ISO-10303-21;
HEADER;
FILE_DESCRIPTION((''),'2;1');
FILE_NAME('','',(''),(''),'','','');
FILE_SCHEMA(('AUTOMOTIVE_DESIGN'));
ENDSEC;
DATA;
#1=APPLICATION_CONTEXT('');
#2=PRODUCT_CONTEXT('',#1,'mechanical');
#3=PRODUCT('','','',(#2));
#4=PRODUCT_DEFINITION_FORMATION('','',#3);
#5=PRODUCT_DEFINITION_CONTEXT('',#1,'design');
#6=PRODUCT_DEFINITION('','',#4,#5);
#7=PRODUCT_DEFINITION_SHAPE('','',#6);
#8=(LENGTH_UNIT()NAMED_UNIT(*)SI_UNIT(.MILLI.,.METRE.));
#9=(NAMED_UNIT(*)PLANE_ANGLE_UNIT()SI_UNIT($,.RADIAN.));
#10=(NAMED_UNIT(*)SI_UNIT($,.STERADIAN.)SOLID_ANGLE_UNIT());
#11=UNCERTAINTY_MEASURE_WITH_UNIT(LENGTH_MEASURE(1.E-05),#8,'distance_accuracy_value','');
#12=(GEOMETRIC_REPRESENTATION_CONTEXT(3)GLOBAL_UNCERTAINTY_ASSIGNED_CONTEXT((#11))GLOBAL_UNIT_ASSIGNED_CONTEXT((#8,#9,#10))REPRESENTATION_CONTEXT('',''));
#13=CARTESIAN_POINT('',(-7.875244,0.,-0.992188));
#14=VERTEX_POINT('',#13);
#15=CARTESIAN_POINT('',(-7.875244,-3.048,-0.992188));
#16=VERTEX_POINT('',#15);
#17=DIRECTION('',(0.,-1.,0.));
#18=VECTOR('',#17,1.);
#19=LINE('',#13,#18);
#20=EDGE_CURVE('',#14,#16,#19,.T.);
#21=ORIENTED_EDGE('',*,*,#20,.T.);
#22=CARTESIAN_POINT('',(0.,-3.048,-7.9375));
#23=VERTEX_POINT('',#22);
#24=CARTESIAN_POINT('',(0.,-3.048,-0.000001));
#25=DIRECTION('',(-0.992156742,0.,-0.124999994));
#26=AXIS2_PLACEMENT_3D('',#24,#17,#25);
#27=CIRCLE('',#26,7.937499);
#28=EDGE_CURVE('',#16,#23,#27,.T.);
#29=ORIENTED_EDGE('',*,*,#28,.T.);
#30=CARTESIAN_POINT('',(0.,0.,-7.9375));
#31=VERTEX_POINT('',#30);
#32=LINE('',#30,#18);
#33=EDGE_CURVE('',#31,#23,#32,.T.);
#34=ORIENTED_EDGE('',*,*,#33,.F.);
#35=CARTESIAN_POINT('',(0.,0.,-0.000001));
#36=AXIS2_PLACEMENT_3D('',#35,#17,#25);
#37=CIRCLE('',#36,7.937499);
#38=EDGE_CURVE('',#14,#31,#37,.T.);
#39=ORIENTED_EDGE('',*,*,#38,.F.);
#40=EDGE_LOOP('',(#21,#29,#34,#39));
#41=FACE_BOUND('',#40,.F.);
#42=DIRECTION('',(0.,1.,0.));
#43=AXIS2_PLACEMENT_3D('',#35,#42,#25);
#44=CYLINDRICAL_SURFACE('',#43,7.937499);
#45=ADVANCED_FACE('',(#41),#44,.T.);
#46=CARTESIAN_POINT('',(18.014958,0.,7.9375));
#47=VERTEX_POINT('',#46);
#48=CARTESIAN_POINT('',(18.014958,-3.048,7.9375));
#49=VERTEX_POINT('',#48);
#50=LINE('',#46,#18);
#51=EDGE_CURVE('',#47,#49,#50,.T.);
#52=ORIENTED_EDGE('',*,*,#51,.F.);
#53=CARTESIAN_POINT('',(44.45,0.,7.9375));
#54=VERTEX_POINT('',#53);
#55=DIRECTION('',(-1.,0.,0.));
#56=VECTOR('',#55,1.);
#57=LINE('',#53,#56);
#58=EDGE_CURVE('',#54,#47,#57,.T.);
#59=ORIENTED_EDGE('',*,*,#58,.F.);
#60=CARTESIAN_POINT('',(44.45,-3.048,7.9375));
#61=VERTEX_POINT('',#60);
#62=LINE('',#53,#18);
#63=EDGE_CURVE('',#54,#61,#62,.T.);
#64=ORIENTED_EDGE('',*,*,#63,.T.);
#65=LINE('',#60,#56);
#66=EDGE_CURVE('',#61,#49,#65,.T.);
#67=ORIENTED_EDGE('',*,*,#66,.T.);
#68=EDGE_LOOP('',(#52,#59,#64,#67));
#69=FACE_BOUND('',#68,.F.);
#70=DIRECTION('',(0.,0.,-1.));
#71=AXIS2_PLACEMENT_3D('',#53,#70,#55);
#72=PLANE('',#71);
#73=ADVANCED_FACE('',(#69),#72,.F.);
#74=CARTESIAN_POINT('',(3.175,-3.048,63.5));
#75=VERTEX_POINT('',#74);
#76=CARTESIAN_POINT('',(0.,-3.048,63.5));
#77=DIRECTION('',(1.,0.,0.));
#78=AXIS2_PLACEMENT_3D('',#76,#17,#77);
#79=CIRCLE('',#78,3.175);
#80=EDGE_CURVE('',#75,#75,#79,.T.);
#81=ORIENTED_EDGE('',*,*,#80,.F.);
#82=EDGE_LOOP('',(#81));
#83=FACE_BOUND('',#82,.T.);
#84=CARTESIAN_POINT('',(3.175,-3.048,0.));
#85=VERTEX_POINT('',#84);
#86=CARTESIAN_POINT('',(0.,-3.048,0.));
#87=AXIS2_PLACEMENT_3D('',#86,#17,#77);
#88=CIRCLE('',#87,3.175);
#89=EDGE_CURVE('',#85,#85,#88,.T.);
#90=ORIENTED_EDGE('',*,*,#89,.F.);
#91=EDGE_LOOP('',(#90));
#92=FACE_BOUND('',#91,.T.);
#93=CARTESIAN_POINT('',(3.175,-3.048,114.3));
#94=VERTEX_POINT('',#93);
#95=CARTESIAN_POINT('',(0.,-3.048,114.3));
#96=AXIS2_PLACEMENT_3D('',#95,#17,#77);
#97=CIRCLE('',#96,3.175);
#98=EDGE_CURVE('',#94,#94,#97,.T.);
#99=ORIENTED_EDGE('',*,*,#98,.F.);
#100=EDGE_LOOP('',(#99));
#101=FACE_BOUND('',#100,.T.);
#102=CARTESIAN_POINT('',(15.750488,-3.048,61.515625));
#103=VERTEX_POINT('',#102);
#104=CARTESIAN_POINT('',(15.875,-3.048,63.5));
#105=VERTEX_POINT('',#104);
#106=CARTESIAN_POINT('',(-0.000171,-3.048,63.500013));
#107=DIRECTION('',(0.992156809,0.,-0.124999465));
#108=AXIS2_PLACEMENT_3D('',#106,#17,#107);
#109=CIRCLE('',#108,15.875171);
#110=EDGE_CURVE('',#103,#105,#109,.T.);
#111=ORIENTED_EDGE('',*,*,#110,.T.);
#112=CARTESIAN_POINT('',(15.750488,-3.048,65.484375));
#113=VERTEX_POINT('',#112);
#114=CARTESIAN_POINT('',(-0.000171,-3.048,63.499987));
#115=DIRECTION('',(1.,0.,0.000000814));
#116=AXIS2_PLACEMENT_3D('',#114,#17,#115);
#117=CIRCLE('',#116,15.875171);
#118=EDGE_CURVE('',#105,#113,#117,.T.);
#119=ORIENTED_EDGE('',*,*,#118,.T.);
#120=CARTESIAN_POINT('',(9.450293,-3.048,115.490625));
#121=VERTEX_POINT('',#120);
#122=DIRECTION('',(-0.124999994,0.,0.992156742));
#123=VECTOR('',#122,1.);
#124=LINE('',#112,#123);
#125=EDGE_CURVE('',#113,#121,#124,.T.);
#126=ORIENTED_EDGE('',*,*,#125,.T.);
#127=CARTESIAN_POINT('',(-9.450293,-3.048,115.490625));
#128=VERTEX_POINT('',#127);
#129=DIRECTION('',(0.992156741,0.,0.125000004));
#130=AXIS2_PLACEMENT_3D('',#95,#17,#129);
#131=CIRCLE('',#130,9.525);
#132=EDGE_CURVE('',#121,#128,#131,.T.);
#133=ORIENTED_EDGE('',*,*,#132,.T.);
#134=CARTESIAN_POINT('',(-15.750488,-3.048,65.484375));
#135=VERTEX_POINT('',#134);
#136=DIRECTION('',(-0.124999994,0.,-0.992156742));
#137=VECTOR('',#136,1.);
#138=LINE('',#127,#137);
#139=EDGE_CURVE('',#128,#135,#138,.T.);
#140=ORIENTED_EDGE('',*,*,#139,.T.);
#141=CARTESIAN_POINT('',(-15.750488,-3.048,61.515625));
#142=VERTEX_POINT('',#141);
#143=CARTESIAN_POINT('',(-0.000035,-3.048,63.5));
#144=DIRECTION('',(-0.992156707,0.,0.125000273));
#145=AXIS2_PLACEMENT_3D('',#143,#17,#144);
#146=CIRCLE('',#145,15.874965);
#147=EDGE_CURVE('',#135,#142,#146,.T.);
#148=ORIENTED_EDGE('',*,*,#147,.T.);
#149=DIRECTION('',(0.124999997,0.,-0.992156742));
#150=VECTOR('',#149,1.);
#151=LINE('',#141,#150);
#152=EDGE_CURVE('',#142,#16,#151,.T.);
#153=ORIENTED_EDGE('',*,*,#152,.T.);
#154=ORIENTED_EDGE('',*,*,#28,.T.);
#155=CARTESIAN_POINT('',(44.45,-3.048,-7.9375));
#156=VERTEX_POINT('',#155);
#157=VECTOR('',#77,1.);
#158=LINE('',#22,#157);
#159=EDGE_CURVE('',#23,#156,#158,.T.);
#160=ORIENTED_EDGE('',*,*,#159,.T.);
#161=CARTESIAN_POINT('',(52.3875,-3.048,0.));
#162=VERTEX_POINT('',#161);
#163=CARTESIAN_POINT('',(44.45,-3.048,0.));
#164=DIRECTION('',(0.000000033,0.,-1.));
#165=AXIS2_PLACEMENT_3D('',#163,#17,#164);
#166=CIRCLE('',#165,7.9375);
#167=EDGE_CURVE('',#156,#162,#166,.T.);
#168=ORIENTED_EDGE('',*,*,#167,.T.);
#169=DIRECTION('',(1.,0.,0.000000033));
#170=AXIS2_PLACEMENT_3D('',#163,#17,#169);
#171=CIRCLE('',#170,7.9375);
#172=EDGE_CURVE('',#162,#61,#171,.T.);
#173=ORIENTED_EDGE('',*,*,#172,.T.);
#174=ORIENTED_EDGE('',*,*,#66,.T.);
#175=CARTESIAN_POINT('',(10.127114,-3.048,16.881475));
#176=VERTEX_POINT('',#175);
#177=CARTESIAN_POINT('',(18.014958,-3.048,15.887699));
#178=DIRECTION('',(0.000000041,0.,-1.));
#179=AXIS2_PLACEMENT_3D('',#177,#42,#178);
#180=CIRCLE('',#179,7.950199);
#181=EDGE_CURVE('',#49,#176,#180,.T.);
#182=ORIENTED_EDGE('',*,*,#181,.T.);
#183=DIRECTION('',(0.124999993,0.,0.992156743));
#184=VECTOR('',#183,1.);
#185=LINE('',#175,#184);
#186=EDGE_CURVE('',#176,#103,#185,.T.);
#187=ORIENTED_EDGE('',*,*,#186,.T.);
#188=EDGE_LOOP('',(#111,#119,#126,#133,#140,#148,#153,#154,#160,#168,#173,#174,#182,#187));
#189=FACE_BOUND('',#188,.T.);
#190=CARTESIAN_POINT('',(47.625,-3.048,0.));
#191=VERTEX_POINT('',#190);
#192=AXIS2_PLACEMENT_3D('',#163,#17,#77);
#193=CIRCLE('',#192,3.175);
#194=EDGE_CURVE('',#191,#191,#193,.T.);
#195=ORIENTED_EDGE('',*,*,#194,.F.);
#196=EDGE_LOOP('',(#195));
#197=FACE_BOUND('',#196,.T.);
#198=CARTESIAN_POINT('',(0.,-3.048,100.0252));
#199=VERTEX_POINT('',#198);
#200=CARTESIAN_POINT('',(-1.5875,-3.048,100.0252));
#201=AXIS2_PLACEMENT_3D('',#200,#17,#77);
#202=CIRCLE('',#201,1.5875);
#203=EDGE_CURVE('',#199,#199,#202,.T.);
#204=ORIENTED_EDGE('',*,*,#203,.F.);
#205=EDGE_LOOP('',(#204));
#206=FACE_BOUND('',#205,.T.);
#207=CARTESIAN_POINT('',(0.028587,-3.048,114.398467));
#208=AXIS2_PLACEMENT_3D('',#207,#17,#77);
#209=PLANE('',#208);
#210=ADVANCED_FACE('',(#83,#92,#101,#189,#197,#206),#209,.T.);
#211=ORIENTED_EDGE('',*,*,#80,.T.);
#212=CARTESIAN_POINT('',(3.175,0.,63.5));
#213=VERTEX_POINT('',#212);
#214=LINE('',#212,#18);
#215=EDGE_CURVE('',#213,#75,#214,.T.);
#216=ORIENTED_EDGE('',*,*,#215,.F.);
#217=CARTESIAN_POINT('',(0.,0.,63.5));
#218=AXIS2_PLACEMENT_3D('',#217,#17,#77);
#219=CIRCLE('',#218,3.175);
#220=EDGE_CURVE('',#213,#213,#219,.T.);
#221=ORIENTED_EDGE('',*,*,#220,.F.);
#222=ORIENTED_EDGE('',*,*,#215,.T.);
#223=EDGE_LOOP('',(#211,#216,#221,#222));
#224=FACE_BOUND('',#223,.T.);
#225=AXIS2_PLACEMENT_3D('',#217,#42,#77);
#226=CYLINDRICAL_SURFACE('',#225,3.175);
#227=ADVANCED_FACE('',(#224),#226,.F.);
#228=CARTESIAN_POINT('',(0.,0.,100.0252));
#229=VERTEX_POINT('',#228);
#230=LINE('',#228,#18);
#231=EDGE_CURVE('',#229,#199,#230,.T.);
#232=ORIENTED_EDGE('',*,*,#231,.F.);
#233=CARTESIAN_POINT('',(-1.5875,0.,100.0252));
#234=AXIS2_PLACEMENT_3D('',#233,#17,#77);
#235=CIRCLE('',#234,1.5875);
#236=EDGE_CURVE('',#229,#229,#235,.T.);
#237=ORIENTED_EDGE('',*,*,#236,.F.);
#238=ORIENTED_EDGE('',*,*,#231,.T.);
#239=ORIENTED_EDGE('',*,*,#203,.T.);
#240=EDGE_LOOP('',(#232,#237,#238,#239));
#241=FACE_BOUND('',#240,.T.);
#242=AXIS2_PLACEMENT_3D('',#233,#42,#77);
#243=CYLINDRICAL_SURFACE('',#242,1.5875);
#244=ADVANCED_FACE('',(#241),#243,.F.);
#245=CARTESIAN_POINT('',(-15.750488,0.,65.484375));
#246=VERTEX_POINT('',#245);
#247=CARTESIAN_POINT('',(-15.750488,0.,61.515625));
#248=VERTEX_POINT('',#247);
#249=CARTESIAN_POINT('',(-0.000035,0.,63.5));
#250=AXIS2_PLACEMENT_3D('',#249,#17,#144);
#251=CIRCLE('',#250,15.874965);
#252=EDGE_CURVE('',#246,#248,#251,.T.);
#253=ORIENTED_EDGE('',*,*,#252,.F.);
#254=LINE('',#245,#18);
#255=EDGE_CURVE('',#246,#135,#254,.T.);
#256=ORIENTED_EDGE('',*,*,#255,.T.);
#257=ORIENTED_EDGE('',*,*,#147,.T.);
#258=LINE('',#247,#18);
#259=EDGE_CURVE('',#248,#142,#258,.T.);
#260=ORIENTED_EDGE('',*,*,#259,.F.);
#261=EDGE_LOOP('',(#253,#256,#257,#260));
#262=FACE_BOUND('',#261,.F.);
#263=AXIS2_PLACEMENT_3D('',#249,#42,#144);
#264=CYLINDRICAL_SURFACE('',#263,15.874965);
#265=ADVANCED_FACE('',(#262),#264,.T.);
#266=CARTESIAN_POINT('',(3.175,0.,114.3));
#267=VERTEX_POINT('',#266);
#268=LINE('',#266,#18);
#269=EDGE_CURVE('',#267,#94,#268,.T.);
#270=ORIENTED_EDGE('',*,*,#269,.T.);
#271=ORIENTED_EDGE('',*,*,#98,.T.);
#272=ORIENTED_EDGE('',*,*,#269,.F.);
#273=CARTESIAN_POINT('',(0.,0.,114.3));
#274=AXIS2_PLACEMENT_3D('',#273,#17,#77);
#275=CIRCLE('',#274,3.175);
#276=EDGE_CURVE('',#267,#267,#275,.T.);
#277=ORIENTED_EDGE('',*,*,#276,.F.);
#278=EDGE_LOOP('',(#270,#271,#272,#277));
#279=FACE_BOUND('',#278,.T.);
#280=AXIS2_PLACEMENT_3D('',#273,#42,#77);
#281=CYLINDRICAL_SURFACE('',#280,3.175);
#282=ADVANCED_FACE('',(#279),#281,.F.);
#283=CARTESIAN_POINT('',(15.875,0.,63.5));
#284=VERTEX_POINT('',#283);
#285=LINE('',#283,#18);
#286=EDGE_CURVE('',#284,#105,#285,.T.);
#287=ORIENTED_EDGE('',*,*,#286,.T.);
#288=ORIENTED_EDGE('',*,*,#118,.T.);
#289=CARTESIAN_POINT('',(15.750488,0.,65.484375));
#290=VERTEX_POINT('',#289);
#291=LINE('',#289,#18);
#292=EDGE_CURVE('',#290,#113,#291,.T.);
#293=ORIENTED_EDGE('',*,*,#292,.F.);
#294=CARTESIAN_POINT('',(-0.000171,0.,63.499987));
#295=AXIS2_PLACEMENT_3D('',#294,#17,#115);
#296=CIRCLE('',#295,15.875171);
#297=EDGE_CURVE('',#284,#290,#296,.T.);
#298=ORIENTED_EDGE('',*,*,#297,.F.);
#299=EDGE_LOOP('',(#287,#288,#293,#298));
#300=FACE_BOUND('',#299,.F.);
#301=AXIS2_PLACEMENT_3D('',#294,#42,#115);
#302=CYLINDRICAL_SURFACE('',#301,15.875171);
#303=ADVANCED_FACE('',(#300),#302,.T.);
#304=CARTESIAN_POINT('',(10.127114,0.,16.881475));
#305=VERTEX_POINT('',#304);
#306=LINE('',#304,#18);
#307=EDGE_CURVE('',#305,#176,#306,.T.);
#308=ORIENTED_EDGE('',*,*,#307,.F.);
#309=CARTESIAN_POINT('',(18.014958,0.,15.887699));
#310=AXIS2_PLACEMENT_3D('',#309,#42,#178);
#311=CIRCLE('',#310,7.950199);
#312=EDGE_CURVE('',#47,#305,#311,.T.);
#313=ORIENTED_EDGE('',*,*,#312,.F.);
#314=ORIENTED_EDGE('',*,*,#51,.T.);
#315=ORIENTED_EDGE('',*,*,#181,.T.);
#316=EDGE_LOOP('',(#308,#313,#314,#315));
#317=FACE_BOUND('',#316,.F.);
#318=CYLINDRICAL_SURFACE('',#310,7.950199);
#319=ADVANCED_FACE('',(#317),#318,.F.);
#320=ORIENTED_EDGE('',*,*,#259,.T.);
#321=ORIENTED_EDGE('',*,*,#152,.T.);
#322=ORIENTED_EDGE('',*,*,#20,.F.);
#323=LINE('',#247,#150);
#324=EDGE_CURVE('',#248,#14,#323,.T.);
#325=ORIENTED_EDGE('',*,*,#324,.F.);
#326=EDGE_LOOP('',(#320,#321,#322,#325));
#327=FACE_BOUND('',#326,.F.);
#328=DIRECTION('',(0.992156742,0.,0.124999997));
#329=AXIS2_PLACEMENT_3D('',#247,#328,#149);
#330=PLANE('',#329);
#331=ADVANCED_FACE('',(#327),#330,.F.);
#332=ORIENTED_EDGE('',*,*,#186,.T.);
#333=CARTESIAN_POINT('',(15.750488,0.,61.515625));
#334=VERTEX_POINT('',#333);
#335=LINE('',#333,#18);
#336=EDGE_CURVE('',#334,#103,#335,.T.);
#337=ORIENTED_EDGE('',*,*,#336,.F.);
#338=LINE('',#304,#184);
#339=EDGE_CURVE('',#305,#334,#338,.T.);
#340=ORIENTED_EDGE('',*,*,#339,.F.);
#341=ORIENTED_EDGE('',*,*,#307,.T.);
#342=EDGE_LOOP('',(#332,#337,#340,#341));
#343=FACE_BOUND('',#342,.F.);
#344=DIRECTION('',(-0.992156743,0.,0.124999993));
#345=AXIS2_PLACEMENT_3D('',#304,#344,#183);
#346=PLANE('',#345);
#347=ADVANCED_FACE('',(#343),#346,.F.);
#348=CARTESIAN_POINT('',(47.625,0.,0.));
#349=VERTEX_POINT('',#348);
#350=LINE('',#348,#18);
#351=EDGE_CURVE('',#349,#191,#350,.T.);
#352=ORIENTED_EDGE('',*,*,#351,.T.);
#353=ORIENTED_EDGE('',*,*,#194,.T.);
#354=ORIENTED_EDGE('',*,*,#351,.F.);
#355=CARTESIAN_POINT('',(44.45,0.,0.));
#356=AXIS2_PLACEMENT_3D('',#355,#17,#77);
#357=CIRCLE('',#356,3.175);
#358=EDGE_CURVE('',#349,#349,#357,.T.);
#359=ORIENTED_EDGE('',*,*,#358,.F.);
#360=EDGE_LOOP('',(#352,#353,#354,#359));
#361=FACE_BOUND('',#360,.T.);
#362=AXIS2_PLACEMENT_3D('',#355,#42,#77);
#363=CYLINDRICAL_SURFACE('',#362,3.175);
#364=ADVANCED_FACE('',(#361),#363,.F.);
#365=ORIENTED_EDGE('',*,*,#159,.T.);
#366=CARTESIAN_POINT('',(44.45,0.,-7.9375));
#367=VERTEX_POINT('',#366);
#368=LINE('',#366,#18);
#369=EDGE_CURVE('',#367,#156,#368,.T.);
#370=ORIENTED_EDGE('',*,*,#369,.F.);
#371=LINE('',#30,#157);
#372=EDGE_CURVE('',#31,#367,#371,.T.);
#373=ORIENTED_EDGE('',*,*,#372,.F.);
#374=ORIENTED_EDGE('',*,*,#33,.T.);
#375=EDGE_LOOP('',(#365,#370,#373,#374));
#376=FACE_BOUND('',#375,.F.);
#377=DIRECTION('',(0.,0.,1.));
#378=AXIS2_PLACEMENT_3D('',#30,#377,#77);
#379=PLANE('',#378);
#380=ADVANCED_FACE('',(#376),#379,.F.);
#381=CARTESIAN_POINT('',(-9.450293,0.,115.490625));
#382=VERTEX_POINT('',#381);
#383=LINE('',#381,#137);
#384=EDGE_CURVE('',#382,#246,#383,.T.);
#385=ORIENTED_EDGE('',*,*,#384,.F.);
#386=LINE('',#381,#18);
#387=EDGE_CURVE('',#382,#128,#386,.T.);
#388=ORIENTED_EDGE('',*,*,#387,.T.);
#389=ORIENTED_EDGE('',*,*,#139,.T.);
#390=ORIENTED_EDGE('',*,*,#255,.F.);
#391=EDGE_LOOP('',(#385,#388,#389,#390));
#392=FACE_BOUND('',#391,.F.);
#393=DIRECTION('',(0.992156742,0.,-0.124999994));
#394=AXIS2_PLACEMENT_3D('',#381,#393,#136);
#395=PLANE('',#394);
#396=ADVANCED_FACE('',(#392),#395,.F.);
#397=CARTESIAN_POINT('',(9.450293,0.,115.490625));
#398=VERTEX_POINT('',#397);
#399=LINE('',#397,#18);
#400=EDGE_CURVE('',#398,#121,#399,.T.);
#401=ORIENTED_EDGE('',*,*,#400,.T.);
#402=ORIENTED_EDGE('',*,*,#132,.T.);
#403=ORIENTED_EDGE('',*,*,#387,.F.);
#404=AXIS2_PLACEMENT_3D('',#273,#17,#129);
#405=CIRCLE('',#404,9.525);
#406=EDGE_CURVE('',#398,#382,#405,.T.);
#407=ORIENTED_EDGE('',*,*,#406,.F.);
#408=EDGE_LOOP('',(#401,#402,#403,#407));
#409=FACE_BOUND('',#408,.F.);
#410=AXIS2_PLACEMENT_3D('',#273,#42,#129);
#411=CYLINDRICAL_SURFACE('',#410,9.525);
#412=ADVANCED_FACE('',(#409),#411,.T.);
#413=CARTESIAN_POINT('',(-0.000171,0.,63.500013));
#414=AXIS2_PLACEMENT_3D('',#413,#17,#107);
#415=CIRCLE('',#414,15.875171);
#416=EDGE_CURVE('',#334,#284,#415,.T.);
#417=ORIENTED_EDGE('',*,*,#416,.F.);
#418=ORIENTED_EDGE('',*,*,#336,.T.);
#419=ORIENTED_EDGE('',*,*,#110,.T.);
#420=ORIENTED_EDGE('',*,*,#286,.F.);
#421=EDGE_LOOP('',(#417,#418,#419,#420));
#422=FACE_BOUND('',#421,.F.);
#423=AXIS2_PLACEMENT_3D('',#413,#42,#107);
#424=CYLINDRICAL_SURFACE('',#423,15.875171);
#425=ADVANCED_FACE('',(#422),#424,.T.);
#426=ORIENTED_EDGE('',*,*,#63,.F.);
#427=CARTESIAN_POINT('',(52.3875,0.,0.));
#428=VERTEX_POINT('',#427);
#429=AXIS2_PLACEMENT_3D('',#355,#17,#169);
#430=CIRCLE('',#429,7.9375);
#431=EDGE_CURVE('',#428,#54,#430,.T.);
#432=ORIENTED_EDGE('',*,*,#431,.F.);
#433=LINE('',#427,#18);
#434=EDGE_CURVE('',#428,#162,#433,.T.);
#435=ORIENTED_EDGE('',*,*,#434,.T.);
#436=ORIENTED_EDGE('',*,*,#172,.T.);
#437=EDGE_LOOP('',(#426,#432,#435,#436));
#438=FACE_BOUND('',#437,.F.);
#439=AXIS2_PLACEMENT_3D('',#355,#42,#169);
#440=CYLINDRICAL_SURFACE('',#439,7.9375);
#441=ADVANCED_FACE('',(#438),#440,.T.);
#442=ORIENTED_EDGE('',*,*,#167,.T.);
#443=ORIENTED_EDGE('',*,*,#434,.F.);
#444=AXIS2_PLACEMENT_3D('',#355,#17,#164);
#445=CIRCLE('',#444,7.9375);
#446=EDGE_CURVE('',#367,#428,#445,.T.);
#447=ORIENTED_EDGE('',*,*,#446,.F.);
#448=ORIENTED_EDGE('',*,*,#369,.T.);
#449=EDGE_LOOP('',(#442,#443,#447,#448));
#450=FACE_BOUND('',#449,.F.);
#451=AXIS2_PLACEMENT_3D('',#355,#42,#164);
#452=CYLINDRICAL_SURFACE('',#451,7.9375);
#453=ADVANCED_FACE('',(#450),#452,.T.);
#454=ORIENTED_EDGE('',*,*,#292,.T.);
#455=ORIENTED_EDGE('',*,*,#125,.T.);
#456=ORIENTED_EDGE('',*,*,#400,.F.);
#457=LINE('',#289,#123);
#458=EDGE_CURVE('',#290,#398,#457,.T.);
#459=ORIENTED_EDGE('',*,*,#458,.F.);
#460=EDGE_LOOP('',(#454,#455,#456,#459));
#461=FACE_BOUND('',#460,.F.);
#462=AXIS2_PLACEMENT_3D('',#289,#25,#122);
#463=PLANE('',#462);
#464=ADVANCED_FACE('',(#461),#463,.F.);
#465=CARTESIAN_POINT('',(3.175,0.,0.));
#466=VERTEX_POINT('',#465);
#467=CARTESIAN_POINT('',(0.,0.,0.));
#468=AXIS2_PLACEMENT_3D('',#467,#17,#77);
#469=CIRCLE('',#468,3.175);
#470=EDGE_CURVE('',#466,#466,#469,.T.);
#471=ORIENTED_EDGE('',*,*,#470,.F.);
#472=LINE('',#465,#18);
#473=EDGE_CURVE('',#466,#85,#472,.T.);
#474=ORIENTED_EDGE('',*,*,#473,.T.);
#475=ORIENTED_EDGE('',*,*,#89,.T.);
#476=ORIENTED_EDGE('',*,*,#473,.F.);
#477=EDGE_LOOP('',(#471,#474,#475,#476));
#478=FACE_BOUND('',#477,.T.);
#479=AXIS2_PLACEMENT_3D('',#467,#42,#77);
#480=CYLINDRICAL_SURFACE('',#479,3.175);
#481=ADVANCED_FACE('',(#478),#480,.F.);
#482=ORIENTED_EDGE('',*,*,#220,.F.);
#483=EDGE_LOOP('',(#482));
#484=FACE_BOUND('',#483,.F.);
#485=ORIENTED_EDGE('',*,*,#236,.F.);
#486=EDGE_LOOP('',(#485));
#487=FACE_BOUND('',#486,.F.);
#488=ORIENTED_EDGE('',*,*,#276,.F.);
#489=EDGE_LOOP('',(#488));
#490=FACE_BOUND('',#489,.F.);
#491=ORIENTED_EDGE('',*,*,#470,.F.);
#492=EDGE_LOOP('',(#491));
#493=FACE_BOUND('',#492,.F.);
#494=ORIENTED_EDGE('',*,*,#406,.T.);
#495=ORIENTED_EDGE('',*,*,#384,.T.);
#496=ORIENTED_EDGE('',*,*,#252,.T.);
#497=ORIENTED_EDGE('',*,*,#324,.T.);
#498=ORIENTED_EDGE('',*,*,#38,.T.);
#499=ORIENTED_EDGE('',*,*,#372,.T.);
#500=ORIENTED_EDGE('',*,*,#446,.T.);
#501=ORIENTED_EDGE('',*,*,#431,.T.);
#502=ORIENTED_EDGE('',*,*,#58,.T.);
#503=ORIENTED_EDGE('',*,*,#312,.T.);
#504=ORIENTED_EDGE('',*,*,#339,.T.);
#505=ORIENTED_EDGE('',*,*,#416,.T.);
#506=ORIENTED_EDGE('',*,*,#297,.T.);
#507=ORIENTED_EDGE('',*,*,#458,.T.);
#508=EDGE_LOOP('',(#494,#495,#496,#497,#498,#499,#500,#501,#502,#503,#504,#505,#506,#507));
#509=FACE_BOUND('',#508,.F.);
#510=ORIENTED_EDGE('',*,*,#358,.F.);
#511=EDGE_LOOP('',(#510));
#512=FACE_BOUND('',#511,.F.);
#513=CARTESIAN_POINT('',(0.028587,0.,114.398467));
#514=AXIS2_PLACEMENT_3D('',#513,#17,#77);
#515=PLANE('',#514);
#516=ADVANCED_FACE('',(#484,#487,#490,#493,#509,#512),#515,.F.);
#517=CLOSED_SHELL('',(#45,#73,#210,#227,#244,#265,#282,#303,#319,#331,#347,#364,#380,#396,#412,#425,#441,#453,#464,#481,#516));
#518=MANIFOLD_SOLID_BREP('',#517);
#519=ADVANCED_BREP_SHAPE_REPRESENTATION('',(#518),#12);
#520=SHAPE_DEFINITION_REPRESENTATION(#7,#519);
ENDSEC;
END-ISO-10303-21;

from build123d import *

# Parameters (mm, degrees)
F0_R     = 3.175
F0_R_2   = 1.5875
F1_DEPTH = 3.048


with BuildPart() as f1:
    # F0 (on Front) → F1 (new body)
    with BuildSketch(Plane.XZ):
        with BuildLine():
            ThreePointArc((-9.450293, 115.490625), (-0.596483, 104.793695), (9.525, 114.3))
            ThreePointArc((9.525, 114.3), (9.506305, 114.896483), (9.450293, 115.490625))
            ThreePointArc((9.450293, 115.490625), (0, 123.825), (-9.450293, 115.490625))
        make_face()
        with Locations((0, 114.3)):
            Circle(F0_R, mode=Mode.SUBTRACT)
        with BuildLine():
            ThreePointArc((9.450293, 115.490625), (9.506305, 114.896483), (9.525, 114.3))
            ThreePointArc((9.525, 114.3), (-0.596483, 104.793695), (-9.450293, 115.490625))
            Line((-9.450293, 115.490625), (-15.750488, 65.484375))
            ThreePointArc((-15.750488, 65.484375), (0, 79.375), (15.750488, 65.484375))
            Line((15.750488, 65.484375), (9.450293, 115.490625))
        make_face()
        with Locations((-1.5875, 100.0252)):
            Circle(F0_R_2, mode=Mode.SUBTRACT)
        with BuildLine():
            ThreePointArc((15.875, 63.5), (15.843841, 64.494139), (15.750488, 65.484375))
            ThreePointArc((15.750488, 65.484375), (0, 79.375), (-15.750488, 65.484375))
            ThreePointArc((-15.750488, 65.484375), (-15.875, 63.5), (-15.750488, 61.515625))
            ThreePointArc((-15.750488, 61.515625), (0, 47.625), (15.750488, 61.515625))
            ThreePointArc((15.750488, 61.515625), (15.843841, 62.505861), (15.875, 63.5))
        make_face()
        with Locations((0, 63.5)):
            Circle(F0_R, mode=Mode.SUBTRACT)
        with BuildLine():
            ThreePointArc((15.750488, 61.515625), (0, 47.625), (-15.750488, 61.515625))
            Line((-15.750488, 61.515625), (-7.875244, -0.992188))
            ThreePointArc((-7.875244, -0.992188), (-0.497069, 7.921921), (7.9375, 0))
            ThreePointArc((7.9375, 0), (5.61266, -5.61266), (0, -7.9375))
            Line((0, -7.9375), (44.45, -7.9375))
            ThreePointArc((44.45, -7.9375), (36.5125, 0), (44.45, 7.9375))
            Line((44.45, 7.9375), (18.014958, 7.9375))
            ThreePointArc((18.014958, 7.9375), (12.052308, 10.629137), (10.127114, 16.881475))
            Line((10.127114, 16.881475), (15.750488, 61.515625))
        make_face()
        with BuildLine():
            ThreePointArc((7.9375, 0), (-0.497069, 7.921921), (-7.875244, -0.992188))
            ThreePointArc((-7.875244, -0.992188), (-5.250163, -5.953125), (0, -7.9375))
            ThreePointArc((0, -7.9375), (5.61266, -5.61266), (7.9375, 0))
        make_face()
        Circle(F0_R, mode=Mode.SUBTRACT)
        with BuildLine():
            ThreePointArc((44.45, 7.9375), (36.5125, 0), (44.45, -7.9375))
            ThreePointArc((44.45, -7.9375), (50.06266, -5.61266), (52.3875, 0))
            ThreePointArc((52.3875, 0), (50.06266, 5.61266), (44.45, 7.9375))
        make_face()
        with Locations((44.45, 0)):
            Circle(F0_R, mode=Mode.SUBTRACT)
    extrude(amount=F1_DEPTH)


solid = f1.part
